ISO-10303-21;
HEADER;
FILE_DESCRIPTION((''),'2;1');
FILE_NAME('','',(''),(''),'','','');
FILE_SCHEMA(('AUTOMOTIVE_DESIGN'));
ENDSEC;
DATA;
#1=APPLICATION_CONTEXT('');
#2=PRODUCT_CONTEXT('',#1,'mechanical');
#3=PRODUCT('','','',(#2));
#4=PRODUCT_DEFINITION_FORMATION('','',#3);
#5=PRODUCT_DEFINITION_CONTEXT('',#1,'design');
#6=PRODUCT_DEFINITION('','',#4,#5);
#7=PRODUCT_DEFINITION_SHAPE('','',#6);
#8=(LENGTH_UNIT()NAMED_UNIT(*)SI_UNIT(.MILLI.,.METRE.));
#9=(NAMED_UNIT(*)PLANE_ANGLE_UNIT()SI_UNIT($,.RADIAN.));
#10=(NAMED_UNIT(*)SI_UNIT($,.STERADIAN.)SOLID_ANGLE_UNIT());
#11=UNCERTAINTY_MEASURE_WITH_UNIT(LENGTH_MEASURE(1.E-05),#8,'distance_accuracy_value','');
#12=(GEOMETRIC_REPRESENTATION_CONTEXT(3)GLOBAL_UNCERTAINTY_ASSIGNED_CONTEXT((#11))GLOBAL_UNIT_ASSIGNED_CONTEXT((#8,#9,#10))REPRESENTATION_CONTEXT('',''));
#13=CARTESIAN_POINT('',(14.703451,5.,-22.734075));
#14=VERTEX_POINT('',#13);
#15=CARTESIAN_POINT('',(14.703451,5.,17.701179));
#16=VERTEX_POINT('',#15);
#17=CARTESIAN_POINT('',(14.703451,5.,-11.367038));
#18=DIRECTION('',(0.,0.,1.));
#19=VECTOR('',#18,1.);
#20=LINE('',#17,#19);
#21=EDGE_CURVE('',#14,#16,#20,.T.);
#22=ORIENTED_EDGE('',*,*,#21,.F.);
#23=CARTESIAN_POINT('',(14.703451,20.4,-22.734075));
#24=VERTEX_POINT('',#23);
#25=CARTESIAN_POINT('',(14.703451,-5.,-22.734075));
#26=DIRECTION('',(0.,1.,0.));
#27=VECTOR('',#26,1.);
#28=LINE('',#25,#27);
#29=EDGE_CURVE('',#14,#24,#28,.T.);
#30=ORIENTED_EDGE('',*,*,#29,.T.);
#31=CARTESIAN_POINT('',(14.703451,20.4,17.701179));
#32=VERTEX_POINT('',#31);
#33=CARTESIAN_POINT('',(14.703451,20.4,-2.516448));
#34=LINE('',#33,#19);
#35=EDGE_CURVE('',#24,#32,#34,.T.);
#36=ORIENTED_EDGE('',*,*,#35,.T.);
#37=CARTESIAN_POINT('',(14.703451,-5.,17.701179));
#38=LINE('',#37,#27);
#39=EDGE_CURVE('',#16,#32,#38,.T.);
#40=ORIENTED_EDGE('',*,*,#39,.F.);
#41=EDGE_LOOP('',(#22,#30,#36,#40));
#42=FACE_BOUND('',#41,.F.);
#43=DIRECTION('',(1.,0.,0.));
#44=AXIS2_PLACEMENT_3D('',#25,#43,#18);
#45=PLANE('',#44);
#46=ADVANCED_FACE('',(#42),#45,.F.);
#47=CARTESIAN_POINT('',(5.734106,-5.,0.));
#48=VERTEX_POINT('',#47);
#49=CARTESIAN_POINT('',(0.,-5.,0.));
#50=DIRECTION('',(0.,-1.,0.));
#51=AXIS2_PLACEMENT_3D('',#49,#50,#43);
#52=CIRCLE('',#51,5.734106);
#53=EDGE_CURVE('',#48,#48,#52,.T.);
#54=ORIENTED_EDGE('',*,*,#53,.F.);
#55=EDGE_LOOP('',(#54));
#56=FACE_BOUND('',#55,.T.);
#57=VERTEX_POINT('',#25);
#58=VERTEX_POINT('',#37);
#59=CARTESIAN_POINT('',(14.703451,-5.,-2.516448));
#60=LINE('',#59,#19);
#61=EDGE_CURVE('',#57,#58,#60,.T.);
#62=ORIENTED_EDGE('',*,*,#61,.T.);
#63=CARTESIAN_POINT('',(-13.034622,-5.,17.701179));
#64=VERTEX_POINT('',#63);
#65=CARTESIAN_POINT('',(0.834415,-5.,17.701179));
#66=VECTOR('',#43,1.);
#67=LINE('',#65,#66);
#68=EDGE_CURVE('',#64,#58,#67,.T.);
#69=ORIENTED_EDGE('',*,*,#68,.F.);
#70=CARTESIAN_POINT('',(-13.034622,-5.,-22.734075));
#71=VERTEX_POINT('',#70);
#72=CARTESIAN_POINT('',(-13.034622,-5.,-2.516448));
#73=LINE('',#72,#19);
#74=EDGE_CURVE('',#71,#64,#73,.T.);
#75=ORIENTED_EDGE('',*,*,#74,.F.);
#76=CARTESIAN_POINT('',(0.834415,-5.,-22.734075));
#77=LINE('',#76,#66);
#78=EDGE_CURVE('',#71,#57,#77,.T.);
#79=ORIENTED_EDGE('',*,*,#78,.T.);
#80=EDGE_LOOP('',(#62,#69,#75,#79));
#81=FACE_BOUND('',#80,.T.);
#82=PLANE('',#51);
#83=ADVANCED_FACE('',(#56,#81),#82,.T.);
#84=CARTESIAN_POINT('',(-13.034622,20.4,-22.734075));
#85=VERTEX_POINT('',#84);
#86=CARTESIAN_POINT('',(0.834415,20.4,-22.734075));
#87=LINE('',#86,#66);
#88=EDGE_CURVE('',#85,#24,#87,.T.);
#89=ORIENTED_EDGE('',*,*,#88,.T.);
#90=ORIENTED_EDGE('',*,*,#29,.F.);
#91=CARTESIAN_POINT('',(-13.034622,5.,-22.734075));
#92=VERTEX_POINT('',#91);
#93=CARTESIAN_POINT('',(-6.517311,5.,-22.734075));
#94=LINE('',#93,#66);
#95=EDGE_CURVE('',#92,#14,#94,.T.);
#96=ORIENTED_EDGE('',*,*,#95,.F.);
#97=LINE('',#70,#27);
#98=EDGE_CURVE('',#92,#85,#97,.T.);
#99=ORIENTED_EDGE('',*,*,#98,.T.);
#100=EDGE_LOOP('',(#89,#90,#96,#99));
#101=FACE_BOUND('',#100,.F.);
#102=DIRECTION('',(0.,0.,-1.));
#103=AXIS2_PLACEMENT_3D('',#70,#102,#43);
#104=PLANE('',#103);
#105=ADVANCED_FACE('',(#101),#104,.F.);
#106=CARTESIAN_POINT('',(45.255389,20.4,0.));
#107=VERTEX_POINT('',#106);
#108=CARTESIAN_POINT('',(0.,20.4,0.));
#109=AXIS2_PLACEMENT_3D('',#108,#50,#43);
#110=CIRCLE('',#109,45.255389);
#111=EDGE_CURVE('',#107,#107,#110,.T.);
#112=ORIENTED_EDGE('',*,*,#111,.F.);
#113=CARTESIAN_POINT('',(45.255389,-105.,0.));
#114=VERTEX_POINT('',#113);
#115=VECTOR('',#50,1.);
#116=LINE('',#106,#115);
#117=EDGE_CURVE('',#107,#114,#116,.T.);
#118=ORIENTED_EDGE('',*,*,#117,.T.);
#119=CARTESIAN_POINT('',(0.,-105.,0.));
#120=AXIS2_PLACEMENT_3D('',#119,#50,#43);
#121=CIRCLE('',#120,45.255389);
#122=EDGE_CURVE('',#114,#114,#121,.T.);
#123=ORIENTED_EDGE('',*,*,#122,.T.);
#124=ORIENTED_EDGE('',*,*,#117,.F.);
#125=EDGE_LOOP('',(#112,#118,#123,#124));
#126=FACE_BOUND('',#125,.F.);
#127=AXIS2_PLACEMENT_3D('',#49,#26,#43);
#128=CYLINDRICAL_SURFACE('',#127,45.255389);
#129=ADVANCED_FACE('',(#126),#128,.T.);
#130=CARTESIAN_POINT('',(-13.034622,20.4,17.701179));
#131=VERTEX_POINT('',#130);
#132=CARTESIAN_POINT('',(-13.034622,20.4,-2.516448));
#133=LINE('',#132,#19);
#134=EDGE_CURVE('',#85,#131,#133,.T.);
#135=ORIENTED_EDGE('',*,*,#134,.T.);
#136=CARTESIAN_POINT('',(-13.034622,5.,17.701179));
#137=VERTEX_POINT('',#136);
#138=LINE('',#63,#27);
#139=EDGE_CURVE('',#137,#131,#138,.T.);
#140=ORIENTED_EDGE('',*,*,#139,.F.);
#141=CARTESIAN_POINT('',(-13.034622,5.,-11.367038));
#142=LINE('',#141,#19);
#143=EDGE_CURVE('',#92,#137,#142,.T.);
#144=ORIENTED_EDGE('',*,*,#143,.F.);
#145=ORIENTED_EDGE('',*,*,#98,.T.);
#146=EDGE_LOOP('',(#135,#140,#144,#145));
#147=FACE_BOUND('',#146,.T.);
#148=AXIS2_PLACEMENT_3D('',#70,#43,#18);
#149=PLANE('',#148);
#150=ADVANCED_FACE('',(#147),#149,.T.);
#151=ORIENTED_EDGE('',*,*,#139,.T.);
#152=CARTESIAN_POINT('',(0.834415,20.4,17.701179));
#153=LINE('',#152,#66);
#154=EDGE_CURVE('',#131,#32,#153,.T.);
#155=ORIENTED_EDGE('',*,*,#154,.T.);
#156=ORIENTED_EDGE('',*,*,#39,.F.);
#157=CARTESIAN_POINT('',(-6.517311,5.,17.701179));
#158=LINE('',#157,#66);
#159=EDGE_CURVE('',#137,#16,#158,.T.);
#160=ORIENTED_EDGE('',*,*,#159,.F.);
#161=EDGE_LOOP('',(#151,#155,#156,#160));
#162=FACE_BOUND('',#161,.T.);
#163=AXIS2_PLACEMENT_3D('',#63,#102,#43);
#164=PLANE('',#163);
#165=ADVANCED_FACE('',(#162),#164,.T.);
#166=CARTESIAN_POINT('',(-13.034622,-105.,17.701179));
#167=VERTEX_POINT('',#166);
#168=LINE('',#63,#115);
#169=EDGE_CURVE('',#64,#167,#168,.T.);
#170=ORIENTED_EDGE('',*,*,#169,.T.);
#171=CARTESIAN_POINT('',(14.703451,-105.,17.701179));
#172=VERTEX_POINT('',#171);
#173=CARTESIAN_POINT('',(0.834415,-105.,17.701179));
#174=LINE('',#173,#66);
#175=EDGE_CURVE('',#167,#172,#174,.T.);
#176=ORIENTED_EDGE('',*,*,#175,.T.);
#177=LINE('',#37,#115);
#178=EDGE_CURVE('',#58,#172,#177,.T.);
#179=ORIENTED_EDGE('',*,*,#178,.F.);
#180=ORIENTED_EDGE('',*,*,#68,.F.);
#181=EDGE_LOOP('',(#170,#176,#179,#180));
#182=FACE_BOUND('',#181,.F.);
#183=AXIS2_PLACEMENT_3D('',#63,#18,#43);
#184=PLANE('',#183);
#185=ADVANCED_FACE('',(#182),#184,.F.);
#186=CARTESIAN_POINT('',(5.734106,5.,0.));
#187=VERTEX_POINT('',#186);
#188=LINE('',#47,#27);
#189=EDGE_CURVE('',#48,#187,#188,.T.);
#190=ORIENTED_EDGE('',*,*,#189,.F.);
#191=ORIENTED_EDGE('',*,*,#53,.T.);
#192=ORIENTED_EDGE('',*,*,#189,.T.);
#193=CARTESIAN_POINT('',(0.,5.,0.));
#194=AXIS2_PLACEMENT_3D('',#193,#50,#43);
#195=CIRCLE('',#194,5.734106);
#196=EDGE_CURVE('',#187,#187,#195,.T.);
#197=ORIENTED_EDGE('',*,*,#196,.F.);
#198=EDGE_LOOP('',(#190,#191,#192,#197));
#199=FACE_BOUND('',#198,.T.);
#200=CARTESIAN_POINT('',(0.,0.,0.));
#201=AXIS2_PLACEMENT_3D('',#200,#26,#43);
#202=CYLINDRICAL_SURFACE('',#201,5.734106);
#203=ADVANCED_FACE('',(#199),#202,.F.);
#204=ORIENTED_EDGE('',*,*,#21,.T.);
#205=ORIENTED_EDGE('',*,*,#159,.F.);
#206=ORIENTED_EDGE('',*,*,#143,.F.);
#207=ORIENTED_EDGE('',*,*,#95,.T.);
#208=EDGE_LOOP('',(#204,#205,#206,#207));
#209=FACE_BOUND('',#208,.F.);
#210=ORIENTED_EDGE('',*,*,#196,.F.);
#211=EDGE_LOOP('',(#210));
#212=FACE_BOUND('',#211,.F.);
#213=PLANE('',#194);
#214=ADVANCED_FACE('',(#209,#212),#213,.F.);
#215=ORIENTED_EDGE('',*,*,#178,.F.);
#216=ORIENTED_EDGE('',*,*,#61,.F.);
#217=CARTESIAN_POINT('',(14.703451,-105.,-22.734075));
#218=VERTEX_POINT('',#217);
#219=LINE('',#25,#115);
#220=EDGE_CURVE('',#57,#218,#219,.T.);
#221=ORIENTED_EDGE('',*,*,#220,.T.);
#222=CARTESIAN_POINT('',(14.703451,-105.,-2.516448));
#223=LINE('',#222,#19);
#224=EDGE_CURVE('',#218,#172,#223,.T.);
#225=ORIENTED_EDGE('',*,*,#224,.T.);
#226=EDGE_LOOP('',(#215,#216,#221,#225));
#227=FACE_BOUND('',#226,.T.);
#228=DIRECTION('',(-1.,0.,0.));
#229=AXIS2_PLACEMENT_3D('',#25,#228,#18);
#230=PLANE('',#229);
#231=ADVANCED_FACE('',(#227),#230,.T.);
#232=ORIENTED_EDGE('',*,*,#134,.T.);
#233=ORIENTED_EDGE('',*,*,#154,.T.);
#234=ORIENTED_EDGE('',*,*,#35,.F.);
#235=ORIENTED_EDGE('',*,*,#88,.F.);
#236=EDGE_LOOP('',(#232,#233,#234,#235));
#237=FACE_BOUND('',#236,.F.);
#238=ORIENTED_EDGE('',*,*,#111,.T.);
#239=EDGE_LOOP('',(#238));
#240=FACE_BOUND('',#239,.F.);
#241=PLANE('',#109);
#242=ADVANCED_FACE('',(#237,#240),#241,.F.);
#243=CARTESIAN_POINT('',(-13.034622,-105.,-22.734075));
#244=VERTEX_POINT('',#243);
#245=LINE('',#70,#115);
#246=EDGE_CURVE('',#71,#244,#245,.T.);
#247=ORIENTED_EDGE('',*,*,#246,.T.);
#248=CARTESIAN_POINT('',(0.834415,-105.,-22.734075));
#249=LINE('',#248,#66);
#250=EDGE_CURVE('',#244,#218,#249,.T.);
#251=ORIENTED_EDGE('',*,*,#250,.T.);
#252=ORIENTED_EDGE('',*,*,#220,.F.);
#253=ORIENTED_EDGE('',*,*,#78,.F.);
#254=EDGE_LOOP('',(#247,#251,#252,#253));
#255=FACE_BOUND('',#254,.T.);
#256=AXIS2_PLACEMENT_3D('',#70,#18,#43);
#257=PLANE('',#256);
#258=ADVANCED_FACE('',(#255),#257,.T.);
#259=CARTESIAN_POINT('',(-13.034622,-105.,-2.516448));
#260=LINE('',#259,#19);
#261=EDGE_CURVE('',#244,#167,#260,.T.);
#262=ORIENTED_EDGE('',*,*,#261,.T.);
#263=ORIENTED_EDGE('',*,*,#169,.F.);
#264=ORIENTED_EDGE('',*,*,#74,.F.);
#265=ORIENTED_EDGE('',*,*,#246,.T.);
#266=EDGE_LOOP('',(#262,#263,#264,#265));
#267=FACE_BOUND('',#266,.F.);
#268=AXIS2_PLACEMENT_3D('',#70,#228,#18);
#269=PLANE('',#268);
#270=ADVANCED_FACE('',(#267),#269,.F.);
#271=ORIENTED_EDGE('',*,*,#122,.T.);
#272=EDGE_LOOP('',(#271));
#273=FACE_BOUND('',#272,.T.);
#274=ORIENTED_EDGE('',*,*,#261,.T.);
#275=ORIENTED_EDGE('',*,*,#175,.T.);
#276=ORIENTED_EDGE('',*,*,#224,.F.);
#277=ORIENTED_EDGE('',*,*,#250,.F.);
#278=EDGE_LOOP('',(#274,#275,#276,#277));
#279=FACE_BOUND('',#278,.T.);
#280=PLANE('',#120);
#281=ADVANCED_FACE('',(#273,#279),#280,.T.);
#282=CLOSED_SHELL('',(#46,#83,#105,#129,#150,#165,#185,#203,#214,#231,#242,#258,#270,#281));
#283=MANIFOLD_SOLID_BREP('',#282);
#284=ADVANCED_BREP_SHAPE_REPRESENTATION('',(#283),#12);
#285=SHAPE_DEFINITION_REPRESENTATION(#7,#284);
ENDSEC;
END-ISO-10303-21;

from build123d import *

# Parameters (mm, degrees)
F0_R          = 45.255389
F0_R_2        = 5.734106
F1_DEPTH      = 5
F2_R          = 45.255389
F2_W          = 27.738073
F2_H          = 40.435255
F3_DEPTH      = 100
F3_DEPTH_BACK = 25.4


with BuildPart() as f1:
    # F0 (on Front) → F1 (new body, symmetric)
    with BuildSketch(Plane.XZ):
        Circle(F0_R)
        Circle(F0_R_2, mode=Mode.SUBTRACT)
    extrude(amount=F1_DEPTH, both=True)

    # F2 (on face) → F3 (join, two sides)
    with BuildSketch(Plane.XZ.offset(5)) as f3_sk:
        Circle(F2_R)
        with Locations((0.834415, -2.516448)):
            Rectangle(F2_W, F2_H, mode=Mode.SUBTRACT)
    extrude(amount=F3_DEPTH)
    extrude(f3_sk.sketch, amount=-F3_DEPTH_BACK)


solid = f1.part
